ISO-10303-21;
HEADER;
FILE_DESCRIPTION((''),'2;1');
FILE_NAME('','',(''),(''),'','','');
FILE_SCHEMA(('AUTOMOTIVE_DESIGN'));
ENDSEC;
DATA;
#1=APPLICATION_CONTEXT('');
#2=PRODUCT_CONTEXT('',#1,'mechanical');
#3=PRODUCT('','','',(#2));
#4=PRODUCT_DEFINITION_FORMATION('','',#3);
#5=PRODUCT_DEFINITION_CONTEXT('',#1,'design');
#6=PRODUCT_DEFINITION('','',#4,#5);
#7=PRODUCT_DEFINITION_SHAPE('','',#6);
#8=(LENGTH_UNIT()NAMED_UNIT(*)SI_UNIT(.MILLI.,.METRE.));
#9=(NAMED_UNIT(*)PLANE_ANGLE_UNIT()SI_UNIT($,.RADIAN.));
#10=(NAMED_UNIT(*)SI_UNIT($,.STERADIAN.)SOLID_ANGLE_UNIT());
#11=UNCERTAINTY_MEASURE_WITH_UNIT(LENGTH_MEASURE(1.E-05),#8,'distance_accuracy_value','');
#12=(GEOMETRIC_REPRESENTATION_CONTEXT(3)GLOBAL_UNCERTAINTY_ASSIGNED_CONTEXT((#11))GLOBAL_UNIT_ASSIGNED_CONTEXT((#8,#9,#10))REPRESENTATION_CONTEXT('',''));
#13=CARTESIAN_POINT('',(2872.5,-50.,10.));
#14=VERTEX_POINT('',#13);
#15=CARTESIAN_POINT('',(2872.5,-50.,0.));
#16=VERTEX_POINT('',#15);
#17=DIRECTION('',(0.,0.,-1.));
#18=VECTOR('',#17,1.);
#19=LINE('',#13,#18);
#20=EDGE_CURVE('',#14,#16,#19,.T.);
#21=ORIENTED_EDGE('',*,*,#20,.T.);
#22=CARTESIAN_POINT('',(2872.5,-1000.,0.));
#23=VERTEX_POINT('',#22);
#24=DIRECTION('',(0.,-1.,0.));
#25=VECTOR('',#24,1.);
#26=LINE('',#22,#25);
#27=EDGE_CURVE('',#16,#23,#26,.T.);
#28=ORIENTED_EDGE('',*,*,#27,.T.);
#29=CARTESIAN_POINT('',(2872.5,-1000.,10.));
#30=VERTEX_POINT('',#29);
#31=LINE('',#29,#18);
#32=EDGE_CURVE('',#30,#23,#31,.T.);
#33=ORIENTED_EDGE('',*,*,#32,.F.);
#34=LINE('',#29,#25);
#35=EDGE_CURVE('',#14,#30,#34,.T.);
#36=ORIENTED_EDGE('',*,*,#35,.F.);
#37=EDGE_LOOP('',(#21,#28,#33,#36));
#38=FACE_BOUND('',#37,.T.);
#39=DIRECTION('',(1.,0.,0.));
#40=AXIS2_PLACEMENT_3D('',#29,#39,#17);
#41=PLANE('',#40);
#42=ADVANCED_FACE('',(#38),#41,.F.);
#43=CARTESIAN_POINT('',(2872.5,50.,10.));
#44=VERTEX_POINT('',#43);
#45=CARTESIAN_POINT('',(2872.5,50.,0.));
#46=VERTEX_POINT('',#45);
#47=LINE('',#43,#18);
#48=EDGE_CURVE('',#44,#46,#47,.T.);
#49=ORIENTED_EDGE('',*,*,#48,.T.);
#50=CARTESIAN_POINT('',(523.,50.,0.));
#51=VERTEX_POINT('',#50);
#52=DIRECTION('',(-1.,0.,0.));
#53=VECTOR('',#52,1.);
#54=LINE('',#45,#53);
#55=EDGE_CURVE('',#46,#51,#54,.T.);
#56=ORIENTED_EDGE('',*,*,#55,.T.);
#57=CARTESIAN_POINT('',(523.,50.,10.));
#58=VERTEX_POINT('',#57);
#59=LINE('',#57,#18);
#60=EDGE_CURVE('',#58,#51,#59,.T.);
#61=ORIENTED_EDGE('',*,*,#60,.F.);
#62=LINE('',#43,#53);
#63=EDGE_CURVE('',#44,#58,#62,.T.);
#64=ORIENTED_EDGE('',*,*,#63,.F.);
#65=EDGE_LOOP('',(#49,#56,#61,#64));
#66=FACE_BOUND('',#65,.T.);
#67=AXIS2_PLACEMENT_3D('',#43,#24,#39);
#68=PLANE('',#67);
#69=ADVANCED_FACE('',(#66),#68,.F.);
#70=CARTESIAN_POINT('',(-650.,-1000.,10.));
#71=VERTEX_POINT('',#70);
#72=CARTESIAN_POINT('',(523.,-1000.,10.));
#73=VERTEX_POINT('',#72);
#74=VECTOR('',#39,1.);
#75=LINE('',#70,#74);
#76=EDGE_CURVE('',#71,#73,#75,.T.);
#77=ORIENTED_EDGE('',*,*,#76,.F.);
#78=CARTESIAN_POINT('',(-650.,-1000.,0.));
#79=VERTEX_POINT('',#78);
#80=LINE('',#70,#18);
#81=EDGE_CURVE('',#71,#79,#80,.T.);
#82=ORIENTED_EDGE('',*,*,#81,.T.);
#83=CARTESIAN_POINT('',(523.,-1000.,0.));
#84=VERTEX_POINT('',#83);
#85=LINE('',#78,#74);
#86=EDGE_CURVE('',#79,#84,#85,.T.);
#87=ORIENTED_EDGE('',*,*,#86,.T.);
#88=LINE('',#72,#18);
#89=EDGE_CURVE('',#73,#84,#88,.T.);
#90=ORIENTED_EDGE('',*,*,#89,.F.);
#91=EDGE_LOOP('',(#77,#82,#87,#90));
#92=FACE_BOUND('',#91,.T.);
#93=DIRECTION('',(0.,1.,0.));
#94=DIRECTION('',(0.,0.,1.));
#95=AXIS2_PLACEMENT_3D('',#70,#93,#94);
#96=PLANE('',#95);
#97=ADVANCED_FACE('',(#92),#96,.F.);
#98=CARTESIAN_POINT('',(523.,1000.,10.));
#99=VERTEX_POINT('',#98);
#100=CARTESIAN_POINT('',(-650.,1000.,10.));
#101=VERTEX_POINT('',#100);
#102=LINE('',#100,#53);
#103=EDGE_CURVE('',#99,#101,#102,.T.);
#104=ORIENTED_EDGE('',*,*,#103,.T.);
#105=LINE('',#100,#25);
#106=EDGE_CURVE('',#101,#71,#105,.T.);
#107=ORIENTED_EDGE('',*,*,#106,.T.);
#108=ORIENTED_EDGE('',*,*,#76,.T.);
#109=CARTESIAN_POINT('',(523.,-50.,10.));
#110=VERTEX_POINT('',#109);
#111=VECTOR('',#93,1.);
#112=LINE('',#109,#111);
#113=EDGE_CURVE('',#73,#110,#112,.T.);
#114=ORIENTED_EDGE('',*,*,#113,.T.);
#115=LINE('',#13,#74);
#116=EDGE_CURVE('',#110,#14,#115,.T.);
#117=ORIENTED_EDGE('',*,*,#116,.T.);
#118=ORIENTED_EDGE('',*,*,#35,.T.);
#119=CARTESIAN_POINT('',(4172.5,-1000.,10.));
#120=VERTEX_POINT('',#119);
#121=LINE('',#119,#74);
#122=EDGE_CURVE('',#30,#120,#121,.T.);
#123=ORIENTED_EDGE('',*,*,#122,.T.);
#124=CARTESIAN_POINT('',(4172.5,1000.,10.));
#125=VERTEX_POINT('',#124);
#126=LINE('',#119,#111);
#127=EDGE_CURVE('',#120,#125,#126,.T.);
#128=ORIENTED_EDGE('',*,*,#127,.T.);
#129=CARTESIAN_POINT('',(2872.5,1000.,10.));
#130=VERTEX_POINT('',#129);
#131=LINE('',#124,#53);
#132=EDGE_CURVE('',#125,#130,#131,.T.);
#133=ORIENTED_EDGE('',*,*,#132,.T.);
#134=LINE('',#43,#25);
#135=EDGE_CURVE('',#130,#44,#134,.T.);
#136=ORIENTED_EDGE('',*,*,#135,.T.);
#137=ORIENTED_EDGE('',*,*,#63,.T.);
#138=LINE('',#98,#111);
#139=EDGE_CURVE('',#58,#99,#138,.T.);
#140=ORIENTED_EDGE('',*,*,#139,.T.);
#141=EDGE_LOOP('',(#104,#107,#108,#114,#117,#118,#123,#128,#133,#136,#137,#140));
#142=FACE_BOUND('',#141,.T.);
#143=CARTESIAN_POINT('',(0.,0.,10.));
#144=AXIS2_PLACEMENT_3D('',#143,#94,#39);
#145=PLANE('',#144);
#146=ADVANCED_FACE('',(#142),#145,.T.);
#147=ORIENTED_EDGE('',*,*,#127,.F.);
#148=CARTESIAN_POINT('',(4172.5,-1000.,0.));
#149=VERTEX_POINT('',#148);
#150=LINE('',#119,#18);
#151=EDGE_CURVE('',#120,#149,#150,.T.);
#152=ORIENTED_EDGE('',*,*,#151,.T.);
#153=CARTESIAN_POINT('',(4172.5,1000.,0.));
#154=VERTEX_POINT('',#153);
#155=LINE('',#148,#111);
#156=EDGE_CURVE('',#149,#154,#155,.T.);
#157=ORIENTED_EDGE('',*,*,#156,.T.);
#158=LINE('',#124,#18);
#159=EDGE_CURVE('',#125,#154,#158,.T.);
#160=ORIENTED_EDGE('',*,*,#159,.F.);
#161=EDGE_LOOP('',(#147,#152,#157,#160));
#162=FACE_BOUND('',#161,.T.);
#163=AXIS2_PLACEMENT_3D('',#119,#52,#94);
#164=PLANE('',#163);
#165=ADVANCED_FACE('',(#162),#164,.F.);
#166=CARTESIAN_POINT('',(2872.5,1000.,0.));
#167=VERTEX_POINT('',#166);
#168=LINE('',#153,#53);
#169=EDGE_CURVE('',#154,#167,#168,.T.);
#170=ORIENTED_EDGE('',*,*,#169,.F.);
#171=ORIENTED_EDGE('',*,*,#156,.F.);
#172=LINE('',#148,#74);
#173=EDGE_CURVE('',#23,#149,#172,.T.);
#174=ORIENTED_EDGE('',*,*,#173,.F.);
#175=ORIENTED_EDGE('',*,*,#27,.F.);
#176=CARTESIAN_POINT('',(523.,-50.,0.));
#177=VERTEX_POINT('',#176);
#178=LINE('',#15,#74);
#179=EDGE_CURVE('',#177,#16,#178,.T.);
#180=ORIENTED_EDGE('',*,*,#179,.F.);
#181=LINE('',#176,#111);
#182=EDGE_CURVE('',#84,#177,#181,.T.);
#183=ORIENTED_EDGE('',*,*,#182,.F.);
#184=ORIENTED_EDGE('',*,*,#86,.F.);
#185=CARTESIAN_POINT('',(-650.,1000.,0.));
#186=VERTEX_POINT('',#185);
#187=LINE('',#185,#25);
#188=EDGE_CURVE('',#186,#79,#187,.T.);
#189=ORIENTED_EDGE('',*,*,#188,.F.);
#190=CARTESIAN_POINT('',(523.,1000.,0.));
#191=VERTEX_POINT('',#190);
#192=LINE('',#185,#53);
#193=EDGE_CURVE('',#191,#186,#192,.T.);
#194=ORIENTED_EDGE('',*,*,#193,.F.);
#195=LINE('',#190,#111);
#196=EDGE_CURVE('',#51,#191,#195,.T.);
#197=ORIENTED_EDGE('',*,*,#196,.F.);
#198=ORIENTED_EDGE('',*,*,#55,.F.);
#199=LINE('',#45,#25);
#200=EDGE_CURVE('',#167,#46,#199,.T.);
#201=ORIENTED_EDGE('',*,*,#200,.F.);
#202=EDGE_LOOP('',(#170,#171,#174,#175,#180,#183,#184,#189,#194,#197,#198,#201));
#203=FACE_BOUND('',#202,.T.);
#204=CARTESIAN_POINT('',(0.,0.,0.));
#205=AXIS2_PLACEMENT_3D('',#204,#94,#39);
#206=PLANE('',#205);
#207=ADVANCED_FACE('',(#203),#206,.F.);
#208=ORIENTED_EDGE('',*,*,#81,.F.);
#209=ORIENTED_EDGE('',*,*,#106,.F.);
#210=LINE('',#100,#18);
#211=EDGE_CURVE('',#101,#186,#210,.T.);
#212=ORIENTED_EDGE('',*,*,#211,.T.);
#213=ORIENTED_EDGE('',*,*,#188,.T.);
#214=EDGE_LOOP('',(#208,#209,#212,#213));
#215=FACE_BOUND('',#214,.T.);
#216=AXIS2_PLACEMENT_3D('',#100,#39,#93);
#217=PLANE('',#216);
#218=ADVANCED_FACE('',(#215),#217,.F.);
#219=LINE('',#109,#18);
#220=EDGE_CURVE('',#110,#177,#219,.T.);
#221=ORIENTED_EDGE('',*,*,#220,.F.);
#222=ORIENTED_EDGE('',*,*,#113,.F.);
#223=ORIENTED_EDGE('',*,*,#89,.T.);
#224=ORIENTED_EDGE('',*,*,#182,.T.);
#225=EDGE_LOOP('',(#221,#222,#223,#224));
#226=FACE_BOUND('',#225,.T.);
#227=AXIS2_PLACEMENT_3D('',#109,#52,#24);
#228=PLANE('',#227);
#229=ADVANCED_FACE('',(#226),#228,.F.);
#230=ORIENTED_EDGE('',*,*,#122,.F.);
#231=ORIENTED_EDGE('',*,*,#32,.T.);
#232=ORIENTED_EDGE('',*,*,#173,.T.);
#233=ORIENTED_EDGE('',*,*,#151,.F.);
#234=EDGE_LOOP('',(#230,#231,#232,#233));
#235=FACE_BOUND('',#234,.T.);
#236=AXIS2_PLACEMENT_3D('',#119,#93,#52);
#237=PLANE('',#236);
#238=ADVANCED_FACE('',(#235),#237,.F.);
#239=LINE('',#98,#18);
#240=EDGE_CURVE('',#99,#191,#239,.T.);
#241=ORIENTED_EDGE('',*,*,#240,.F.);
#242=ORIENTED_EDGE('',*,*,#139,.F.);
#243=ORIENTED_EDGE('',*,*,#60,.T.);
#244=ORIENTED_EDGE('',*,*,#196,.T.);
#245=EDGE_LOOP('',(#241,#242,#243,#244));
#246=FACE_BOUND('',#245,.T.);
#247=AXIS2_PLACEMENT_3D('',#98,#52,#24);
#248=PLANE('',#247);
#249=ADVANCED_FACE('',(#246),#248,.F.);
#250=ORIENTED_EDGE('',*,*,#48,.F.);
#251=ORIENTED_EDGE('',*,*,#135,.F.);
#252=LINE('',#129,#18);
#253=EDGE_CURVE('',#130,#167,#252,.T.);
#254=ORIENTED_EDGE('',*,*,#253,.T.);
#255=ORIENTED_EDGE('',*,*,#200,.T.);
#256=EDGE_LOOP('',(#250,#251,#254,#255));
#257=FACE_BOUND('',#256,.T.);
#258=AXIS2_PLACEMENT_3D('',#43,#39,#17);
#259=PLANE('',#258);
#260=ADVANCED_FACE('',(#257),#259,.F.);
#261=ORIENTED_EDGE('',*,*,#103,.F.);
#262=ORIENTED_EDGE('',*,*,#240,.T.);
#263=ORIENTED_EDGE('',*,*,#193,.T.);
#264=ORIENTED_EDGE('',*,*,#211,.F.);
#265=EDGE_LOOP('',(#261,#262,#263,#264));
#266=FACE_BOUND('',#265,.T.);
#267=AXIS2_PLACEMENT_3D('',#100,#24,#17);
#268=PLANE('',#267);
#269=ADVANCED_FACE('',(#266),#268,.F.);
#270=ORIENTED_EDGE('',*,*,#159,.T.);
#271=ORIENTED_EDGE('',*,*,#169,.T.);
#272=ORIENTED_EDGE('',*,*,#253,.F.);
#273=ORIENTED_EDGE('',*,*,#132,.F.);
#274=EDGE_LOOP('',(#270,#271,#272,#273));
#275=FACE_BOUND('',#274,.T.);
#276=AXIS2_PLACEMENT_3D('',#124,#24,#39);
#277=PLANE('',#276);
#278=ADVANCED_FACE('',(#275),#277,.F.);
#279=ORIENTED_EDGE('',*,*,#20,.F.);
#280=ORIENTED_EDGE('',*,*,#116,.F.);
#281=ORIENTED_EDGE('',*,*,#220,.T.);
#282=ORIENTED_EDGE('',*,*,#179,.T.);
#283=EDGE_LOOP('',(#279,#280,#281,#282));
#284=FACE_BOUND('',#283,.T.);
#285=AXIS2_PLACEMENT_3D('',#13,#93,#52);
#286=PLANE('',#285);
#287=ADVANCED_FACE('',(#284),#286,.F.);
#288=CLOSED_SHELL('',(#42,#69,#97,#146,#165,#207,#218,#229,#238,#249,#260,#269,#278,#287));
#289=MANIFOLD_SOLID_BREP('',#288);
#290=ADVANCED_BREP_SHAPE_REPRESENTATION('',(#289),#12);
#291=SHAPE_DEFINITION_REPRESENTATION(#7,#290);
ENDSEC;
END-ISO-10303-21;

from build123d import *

# Parameters (mm, degrees)
BOSS_EXTRUDE1_DEPTH = 10


with BuildPart() as part:
    # Sketch1 → Boss-Extrude1 (new body)
    with BuildSketch(Plane.XY):
        Polygon((-650, 1000), (523, 1000), (523, 50), (2872.5, 50), (2872.5, 1000), (4172.5, 1000), (4172.5, -1000), (2872.5, -1000), (2872.5, -50), (523, -50), (523, -1000), (-650, -1000), align=None)
    extrude(amount=BOSS_EXTRUDE1_DEPTH)


solid = part.part
